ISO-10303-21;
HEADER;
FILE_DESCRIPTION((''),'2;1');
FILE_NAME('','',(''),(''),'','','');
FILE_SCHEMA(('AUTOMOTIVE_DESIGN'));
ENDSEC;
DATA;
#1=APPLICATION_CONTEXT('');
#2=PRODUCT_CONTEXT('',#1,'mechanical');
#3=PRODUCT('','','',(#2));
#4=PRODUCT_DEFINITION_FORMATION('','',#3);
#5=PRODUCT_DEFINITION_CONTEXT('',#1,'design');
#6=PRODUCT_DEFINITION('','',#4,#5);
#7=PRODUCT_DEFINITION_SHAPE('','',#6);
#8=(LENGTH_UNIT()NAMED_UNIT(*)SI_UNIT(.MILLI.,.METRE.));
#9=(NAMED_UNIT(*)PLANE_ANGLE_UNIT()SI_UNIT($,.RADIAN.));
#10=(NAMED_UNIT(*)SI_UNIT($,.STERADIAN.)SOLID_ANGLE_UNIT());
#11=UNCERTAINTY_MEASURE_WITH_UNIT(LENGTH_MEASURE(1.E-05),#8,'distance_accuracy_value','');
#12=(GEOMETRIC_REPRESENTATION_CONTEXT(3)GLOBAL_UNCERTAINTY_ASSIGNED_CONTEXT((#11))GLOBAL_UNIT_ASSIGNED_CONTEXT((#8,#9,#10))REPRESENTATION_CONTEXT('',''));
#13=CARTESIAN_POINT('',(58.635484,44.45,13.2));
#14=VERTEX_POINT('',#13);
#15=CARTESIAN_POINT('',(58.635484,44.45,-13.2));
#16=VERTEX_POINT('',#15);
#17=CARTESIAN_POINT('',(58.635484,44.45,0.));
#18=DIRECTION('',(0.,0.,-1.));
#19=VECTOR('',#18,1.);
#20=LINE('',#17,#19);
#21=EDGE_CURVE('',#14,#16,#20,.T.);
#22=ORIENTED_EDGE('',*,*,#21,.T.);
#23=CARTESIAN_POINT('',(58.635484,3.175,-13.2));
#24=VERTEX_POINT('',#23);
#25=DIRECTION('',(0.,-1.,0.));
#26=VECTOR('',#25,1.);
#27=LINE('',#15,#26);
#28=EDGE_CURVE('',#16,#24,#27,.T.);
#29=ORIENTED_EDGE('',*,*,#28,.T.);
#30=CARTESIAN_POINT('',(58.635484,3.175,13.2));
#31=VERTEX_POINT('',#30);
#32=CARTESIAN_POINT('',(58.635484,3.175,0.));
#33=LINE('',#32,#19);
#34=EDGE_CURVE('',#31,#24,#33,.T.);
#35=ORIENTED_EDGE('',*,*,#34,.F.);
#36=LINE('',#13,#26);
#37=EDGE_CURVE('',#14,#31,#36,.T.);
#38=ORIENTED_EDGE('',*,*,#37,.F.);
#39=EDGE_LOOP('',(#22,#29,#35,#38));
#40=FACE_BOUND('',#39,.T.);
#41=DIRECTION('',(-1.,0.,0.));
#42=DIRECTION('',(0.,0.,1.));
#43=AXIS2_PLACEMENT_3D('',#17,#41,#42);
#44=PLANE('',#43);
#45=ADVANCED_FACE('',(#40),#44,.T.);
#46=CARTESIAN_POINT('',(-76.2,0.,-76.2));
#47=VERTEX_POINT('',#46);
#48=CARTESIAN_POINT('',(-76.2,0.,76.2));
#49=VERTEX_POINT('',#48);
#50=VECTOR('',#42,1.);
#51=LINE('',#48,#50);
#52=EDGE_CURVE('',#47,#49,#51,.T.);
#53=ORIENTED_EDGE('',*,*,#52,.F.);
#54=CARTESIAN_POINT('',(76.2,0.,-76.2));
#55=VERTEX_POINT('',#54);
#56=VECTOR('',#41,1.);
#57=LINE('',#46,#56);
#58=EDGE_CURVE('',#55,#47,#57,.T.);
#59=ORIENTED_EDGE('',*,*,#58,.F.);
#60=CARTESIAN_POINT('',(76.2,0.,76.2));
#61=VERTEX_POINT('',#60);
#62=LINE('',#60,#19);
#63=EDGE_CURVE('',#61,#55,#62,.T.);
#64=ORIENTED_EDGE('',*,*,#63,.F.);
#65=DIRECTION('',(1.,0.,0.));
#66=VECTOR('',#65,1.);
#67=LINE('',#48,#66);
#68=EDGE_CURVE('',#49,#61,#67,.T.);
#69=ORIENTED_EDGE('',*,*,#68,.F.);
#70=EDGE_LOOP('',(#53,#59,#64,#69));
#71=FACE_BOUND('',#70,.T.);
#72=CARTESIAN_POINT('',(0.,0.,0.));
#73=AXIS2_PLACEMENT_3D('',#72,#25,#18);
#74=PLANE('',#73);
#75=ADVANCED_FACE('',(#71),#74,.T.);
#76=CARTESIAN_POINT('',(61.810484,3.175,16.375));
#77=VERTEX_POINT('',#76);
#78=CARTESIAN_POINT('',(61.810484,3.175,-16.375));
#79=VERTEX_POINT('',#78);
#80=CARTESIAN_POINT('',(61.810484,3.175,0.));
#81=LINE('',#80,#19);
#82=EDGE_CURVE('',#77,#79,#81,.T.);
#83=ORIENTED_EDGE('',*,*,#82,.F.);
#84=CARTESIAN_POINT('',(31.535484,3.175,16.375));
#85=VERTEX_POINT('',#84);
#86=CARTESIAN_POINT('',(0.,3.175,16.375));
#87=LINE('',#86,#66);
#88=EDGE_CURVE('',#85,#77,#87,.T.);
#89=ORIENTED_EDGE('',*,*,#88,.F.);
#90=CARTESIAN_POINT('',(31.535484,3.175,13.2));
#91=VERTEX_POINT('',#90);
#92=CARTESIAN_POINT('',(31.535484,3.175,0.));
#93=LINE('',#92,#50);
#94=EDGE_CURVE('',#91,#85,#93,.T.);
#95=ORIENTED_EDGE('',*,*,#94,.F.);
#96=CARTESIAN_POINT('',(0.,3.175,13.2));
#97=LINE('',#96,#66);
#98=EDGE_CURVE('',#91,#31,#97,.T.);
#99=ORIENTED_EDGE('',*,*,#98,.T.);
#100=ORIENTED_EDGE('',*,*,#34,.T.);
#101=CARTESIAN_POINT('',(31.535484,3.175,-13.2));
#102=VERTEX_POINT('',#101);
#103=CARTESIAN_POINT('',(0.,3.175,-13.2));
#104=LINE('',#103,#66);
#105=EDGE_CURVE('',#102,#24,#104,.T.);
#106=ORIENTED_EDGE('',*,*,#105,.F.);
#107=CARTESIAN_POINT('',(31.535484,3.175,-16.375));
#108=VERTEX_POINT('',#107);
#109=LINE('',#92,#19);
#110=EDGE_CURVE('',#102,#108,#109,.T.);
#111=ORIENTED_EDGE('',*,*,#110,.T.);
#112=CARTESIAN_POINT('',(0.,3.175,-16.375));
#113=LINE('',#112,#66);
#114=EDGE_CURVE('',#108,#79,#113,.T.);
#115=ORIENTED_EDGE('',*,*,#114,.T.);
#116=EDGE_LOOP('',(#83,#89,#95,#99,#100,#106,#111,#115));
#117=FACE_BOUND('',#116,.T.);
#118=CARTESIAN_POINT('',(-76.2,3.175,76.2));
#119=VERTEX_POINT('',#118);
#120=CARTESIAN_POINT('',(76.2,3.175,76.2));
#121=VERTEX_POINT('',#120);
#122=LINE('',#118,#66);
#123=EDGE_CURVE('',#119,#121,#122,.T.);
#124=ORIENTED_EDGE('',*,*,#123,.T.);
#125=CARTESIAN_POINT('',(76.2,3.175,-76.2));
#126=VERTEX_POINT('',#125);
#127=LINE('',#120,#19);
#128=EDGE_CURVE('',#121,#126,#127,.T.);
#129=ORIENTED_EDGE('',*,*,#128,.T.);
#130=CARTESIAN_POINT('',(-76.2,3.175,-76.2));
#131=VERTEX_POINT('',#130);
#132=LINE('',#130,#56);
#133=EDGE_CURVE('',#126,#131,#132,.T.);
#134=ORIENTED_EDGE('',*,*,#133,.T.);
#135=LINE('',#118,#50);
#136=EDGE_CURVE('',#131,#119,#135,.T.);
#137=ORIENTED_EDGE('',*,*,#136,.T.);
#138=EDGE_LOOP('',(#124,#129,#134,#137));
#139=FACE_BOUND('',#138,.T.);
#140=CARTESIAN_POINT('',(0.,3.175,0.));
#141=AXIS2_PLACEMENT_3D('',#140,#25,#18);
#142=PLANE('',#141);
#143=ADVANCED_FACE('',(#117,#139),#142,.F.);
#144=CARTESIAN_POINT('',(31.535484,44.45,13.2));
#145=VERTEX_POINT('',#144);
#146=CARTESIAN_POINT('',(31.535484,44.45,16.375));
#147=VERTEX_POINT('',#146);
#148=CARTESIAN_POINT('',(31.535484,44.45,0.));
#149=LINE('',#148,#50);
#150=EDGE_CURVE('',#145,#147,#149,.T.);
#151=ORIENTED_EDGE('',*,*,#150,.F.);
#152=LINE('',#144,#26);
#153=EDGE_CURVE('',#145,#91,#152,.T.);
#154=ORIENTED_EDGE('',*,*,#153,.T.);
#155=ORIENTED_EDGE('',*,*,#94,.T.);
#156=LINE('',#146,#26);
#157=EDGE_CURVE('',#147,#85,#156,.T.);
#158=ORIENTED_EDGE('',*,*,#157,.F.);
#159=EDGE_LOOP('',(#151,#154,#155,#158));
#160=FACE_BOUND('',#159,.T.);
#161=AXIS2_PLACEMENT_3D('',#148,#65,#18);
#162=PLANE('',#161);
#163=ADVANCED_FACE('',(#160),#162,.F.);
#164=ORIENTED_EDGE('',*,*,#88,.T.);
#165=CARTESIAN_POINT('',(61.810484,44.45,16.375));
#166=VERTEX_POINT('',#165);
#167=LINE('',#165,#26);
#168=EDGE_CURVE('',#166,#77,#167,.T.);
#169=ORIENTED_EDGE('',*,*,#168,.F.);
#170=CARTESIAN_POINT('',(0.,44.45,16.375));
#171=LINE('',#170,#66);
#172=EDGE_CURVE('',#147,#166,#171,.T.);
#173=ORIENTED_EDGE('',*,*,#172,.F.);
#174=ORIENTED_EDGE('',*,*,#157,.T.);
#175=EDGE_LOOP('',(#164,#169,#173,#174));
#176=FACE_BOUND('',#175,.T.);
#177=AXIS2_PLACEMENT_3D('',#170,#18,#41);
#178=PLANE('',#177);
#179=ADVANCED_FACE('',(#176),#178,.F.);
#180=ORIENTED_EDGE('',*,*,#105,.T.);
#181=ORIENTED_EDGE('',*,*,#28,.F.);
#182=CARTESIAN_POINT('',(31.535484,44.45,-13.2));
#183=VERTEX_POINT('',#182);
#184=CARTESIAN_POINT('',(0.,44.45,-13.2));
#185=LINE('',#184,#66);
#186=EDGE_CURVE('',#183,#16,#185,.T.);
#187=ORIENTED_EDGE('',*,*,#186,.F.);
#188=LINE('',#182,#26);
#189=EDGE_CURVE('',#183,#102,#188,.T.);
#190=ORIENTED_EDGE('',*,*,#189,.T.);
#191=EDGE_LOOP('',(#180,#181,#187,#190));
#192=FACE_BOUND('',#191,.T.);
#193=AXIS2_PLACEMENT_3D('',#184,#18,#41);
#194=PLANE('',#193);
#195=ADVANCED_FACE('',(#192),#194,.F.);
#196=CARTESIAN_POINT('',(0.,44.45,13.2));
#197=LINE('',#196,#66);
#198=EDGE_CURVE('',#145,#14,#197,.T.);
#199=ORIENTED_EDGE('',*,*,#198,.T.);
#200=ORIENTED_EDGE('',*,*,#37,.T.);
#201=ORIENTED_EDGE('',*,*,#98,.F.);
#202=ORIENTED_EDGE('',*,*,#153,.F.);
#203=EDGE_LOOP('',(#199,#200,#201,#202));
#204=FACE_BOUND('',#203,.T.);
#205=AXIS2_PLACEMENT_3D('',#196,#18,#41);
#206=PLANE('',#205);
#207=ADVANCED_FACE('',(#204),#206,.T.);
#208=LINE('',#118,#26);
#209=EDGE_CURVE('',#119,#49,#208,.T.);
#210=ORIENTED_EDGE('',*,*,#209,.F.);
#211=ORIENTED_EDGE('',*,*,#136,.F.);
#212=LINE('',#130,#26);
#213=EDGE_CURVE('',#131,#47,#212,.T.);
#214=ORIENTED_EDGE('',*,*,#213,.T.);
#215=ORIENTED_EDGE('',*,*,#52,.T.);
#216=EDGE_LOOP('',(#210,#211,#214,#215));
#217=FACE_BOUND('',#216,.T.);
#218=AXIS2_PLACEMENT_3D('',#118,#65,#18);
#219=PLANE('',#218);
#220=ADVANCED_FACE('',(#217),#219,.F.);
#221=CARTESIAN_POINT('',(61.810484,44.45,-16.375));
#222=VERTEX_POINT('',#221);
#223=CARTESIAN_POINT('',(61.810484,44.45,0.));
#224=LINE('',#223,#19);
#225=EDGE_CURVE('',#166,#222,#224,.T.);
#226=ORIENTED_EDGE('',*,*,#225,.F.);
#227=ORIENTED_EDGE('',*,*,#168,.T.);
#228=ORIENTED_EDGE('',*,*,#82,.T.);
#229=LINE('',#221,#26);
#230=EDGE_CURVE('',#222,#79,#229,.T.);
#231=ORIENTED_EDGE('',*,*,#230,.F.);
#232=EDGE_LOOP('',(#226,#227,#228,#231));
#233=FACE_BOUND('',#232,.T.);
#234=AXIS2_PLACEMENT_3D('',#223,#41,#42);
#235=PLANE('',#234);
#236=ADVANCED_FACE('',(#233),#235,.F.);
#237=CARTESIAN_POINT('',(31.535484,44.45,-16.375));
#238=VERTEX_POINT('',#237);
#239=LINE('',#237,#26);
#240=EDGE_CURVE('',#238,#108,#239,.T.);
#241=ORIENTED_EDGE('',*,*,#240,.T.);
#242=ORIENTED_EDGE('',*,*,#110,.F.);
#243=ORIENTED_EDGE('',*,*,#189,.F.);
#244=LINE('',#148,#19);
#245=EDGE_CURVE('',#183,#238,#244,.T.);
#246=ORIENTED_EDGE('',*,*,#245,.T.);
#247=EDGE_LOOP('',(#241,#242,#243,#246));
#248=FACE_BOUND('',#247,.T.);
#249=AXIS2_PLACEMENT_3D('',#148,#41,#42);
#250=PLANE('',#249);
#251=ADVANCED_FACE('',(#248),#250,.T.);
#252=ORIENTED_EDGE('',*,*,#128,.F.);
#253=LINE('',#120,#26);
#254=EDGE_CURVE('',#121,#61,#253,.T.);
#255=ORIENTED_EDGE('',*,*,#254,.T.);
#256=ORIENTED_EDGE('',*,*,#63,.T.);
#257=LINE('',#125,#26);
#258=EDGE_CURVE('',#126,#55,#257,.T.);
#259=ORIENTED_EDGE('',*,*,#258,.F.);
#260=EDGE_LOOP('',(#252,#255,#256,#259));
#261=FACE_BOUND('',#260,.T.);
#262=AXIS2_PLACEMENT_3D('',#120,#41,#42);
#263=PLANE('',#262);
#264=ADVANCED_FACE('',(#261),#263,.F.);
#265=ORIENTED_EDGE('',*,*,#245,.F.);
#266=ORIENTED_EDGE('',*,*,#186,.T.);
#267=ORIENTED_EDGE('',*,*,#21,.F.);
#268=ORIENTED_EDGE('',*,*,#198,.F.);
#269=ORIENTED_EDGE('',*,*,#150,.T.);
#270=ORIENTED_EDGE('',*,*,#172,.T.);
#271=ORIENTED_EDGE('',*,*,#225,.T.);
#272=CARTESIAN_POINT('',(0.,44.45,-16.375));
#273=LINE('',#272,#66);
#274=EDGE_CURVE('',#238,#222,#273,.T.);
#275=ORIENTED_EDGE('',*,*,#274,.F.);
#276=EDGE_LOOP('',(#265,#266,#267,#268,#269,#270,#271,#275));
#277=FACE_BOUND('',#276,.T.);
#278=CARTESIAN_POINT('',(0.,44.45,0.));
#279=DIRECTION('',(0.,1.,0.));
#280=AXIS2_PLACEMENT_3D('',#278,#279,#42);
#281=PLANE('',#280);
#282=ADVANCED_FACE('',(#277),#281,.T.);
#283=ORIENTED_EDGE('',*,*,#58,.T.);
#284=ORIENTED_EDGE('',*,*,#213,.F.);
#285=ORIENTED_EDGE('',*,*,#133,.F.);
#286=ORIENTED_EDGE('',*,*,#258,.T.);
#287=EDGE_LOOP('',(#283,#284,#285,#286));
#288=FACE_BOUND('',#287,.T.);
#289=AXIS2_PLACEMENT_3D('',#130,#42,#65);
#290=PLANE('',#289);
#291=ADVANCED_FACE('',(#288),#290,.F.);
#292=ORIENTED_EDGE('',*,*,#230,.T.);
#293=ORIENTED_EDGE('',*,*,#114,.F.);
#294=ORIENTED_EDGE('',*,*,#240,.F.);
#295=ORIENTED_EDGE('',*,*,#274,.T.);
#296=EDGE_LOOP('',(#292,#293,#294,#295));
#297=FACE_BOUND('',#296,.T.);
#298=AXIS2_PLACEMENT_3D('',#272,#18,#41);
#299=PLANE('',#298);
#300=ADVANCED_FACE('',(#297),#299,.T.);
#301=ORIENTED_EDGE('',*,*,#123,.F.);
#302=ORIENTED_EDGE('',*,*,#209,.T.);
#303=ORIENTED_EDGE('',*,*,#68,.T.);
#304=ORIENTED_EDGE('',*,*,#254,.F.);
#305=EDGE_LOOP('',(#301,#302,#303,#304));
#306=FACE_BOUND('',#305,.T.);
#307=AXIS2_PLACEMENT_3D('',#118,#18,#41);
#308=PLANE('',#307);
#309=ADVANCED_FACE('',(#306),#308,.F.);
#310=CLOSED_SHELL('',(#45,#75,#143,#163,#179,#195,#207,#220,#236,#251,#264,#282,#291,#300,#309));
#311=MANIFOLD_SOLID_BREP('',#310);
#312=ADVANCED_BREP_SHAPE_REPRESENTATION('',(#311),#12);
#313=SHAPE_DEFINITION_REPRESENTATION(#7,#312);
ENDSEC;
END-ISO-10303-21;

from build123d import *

# Parameters (mm, degrees)
SKETCH1_W           = 152.4
SKETCH1_H           = 152.4
BOSS_EXTRUDE1_DEPTH = 3.175
BOSS_EXTRUDE2_DEPTH = 41.275


with BuildPart() as part:
    # Sketch1 → Boss-Extrude1 (new body)
    with BuildSketch(Plane(origin=(0, 0, 0), x_dir=(1, 0, 0), z_dir=(0, 1, 0))):
        Rectangle(SKETCH1_W, SKETCH1_H)
    extrude(amount=BOSS_EXTRUDE1_DEPTH)

    # Sketch2 → Boss-Extrude2 (add)
    with BuildSketch(Plane(origin=(0, 3.175, 0), x_dir=(1, 0, 0), z_dir=(0, 1, 0))):
        Polygon((58.635483549, 13.2), (58.635483549, -13.2), (31.535483549, -13.2), (31.535483549, -16.375), (61.810483549, -16.375), (61.810483549, 16.375), (31.535483549, 16.375), (31.535483549, 13.2), align=None)
    extrude(amount=BOSS_EXTRUDE2_DEPTH)


solid = part.part
